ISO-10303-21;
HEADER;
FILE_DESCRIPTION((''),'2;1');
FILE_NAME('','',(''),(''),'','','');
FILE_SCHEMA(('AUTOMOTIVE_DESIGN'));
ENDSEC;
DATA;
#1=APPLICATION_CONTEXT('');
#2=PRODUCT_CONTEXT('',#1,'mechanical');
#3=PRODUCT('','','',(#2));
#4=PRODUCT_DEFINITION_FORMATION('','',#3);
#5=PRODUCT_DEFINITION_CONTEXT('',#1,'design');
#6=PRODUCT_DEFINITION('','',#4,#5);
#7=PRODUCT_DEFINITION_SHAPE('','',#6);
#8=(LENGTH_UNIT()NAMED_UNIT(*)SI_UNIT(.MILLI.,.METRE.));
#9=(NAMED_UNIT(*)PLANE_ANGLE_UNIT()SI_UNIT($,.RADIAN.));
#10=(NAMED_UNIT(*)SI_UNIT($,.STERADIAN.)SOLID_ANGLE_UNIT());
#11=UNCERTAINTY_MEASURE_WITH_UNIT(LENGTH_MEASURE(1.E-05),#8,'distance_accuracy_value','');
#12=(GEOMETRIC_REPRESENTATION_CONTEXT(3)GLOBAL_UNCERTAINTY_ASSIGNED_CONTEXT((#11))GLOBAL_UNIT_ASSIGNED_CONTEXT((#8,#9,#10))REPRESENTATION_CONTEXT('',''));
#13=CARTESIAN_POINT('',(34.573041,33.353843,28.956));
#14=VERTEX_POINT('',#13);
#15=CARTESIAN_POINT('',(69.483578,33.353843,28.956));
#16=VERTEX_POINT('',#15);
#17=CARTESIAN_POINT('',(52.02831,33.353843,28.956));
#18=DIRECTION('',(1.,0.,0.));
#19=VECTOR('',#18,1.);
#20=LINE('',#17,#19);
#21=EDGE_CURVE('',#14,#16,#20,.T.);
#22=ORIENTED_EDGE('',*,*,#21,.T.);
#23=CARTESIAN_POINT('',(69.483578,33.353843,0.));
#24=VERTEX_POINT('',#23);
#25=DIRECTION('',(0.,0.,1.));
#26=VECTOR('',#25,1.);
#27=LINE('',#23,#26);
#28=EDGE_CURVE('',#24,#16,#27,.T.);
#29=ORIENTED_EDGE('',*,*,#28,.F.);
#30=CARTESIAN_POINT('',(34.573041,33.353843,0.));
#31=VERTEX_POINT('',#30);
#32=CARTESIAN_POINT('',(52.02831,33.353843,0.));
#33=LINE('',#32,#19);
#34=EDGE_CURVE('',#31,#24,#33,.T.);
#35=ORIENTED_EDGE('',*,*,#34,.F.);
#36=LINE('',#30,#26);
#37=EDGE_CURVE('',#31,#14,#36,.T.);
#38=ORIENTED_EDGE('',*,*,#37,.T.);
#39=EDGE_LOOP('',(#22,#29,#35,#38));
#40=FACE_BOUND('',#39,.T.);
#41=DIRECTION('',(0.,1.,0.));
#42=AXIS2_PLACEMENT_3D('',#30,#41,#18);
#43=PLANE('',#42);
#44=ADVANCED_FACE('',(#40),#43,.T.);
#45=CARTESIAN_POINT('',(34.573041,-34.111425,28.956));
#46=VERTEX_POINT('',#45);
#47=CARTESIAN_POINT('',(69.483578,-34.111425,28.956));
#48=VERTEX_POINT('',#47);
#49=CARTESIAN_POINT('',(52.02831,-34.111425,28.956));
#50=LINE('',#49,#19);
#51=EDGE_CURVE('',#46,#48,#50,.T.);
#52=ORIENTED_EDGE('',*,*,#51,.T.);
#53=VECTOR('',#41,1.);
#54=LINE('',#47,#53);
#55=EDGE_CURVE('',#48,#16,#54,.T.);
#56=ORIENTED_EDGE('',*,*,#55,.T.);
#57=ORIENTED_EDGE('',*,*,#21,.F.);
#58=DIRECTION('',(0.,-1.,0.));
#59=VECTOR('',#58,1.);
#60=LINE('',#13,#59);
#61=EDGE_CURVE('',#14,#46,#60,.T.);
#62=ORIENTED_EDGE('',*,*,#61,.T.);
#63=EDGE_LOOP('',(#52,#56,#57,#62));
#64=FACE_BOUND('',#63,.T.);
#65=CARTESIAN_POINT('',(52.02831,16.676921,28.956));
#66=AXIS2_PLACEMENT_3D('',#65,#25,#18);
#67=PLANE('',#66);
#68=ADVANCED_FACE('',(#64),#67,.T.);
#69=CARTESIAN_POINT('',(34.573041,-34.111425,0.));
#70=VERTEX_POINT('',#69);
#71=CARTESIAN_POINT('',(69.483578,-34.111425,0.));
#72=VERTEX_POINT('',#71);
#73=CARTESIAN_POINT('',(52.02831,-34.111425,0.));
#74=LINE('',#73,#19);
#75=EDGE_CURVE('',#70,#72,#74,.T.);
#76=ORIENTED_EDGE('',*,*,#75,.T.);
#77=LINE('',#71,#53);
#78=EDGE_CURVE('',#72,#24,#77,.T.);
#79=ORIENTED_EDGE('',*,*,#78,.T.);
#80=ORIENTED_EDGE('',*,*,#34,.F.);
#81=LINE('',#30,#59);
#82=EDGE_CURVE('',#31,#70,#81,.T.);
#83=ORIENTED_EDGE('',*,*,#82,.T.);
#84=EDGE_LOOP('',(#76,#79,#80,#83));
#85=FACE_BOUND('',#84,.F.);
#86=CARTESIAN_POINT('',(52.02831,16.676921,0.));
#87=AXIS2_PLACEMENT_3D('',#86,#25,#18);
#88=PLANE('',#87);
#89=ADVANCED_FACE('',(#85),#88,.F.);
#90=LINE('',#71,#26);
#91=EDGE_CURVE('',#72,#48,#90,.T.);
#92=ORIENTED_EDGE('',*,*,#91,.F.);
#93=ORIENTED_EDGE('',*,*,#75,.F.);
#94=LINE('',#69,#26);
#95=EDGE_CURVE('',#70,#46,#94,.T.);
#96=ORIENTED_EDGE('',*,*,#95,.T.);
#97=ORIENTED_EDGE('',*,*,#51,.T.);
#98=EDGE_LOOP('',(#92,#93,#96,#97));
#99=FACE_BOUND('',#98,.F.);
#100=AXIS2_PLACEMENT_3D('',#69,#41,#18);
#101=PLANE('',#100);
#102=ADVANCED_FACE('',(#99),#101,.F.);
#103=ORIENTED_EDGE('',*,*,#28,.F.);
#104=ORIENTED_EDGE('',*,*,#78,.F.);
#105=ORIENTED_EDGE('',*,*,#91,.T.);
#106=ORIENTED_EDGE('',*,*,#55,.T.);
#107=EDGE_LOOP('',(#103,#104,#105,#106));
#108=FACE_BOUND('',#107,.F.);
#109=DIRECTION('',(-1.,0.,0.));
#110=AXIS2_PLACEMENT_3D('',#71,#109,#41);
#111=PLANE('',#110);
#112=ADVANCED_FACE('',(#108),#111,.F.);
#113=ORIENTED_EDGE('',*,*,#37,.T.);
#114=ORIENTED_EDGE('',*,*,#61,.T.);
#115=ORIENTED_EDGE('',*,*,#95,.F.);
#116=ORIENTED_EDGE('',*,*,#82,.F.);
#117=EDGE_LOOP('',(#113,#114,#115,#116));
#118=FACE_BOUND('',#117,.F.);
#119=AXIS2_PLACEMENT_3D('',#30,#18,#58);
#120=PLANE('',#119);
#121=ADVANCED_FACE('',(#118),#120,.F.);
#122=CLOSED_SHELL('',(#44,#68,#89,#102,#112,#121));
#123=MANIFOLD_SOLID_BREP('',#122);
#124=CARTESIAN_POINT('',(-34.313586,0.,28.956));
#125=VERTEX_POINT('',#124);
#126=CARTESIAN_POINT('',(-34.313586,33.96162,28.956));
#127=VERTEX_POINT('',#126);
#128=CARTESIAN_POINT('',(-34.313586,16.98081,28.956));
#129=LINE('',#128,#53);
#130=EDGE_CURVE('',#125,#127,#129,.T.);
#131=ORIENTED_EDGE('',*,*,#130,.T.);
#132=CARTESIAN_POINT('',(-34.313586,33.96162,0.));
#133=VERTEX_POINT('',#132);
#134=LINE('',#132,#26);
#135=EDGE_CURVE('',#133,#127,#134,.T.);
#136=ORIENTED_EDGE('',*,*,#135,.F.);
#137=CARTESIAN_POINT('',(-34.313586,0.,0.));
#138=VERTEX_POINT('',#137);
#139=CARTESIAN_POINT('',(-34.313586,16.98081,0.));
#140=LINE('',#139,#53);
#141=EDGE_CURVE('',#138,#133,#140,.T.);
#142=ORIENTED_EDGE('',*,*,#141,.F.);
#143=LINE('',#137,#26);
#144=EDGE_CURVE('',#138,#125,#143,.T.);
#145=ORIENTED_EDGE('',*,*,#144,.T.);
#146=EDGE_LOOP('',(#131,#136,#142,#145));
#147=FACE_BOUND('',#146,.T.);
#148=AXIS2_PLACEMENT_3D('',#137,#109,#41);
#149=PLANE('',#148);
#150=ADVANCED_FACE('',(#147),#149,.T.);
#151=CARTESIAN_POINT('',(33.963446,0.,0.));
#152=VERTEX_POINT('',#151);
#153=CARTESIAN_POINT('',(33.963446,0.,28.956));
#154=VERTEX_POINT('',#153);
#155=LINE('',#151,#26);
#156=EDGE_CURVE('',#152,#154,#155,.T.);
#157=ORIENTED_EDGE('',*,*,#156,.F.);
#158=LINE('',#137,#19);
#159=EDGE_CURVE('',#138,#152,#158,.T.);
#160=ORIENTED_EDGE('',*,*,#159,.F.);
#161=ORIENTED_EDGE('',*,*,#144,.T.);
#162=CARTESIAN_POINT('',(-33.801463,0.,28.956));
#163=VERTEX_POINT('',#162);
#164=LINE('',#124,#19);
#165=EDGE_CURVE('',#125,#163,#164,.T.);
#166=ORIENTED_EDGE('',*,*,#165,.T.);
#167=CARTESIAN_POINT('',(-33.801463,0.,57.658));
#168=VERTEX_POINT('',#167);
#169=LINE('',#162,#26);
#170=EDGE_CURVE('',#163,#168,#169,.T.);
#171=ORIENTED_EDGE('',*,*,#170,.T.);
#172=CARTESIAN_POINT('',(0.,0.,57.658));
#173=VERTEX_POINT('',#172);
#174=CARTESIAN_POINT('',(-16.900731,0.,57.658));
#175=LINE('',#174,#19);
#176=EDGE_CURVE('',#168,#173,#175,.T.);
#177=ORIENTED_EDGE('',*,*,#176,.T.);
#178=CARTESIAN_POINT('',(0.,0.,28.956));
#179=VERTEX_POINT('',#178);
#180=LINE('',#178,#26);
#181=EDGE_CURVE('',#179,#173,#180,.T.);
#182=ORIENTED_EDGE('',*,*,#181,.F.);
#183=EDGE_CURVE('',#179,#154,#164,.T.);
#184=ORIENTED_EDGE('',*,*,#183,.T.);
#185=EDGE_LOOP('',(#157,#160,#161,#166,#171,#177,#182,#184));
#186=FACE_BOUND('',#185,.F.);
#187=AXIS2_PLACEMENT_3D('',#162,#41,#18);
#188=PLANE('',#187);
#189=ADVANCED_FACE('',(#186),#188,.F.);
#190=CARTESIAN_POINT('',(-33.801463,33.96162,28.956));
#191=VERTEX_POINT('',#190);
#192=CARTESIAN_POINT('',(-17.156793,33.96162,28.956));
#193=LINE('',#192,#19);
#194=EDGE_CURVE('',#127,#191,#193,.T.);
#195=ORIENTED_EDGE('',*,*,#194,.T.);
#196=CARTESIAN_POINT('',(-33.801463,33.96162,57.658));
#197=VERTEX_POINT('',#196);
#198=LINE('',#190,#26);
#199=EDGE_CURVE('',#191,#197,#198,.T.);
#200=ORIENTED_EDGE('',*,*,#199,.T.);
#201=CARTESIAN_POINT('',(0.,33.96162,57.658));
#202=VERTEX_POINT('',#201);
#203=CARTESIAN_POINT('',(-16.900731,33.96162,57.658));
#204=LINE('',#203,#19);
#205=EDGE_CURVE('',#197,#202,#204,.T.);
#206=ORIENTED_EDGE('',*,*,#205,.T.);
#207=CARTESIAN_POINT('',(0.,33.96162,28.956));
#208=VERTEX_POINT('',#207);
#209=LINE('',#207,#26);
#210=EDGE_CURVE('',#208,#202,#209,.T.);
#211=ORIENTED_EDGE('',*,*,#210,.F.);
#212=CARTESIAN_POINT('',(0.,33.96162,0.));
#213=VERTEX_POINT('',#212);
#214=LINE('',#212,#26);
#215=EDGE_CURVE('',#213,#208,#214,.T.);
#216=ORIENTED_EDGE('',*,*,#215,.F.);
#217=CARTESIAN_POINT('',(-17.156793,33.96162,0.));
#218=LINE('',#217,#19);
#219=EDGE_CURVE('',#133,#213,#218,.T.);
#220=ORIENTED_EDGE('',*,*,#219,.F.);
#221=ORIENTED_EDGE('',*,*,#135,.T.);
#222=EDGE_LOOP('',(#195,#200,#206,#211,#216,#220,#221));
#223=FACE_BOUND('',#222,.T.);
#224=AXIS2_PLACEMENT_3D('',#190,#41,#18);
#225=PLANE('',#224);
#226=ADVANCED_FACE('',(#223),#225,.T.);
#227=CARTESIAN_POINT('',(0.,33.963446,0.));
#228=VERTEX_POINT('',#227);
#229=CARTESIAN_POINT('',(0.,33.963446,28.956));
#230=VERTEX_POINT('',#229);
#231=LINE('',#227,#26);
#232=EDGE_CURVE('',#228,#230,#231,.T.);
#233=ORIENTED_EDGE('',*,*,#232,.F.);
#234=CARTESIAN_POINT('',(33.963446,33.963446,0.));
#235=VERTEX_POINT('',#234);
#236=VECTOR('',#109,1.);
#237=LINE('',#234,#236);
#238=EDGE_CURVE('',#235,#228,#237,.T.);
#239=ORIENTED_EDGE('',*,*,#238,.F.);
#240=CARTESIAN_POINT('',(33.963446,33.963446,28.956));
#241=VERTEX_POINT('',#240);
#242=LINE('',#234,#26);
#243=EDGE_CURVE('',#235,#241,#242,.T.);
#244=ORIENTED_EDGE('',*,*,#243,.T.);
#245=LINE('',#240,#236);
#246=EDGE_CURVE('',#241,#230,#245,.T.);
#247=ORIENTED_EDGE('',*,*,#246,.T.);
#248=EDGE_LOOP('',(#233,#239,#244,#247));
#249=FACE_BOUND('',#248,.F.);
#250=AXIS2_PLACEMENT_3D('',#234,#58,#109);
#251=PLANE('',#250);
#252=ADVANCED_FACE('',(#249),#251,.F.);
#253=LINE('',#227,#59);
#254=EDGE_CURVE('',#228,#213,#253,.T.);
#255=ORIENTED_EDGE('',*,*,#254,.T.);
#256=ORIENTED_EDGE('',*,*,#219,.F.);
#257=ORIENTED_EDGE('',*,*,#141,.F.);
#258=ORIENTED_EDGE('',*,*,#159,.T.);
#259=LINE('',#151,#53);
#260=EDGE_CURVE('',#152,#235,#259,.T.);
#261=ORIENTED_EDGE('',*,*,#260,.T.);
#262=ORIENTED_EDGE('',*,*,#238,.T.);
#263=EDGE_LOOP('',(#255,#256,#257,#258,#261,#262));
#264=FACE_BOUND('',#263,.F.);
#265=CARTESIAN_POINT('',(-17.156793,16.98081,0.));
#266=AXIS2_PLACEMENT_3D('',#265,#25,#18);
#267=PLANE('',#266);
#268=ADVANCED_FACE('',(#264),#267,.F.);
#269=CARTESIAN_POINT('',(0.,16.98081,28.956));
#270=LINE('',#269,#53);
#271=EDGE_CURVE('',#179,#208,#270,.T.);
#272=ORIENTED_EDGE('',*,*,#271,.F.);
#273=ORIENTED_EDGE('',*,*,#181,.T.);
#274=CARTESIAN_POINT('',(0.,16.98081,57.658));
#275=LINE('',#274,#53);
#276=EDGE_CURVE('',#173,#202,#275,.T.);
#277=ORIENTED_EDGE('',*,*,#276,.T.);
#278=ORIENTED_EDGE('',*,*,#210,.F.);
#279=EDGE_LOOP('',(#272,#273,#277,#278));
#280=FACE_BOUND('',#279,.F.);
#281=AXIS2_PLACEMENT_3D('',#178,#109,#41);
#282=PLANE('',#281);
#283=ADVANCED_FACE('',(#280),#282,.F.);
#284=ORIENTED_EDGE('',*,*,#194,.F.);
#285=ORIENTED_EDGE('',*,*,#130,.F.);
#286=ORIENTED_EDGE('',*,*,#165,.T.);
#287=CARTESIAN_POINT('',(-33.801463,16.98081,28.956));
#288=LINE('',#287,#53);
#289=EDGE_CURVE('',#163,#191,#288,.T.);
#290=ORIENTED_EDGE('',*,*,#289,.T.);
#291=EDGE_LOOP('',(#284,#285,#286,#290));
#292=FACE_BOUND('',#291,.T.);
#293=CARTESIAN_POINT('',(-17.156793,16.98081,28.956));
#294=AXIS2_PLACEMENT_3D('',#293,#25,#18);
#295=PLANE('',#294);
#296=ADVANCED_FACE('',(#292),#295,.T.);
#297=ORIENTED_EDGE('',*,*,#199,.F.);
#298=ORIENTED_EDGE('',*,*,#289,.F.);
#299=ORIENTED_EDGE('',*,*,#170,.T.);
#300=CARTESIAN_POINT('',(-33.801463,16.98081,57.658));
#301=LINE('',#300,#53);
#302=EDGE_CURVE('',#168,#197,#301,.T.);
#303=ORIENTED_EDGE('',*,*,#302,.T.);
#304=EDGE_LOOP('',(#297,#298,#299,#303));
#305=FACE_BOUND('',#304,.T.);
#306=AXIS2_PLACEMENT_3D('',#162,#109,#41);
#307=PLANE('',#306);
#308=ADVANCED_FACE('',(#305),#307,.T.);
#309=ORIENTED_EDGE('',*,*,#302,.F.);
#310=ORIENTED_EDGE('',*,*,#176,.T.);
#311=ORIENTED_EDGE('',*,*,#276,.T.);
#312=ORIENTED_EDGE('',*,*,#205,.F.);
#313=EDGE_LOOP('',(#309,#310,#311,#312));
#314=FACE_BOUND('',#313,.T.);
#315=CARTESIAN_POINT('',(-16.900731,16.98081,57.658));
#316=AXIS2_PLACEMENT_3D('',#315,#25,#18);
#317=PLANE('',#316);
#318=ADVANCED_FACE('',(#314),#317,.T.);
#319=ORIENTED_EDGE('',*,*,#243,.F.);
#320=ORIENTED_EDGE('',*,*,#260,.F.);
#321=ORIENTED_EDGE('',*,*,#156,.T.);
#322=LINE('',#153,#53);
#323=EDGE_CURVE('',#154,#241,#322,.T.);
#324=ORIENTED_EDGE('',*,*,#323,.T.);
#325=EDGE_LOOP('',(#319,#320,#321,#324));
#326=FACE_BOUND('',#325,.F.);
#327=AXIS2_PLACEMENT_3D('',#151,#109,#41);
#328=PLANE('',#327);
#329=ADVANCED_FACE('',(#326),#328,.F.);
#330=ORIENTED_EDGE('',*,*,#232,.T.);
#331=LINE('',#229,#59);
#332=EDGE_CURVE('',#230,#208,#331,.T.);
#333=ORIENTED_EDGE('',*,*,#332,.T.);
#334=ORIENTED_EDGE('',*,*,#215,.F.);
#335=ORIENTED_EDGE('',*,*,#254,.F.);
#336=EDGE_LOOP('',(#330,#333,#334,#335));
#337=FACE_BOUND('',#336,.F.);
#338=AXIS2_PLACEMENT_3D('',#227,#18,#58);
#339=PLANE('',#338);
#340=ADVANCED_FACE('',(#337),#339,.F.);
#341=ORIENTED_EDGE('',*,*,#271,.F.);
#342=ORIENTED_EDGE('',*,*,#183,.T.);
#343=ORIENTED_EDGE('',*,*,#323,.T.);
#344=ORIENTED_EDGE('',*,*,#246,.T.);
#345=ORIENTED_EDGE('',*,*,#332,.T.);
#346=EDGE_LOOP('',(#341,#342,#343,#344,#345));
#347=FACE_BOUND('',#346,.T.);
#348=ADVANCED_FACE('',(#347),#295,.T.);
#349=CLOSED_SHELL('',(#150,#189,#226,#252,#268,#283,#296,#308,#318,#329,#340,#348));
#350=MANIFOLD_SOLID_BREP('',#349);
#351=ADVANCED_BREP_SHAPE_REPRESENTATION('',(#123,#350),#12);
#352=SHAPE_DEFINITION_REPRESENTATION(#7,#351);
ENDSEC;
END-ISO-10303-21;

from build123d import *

# Parameters (mm, degrees)
F0_W      = 48.6852861941
F0_H      = 53.710911423
F0_W_2    = 54.6446330845
F0_W_3    = 52.1280243993
F0_H_2    = 53.485147655
F1_DEPTH  = 34.036
F2_W      = 53.8875311613
F2_H      = 53.710911423
F3_DEPTH  = 37.338
F6_W      = 34.9105373025
F6_H      = 33.3538427949
F6_H_2    = 34.1114252806
F7_DEPTH  = 28.956
F5_W      = 34.3135856092
F5_H      = 33.9616201818
F9_W      = 33.8014625013
F9_H      = 33.9616201818
F10_DEPTH = 28.702


with BuildPart() as f1:
    # F0 (on Top) → F1 (new body)
    with BuildSketch(Plane.XY):
        with Locations((-65.8202823251, 26.8554557115)):
            Rectangle(F0_W, F0_H)
        with Locations((-14.1553226858, 26.8554557115)):
            Rectangle(F0_W_2, F0_H)
        with Locations((39.2310060561, 26.8554557115)):
            Rectangle(F0_W_3, F0_H)
        with Locations((39.2310060561, -26.7425738275)):
            Rectangle(F0_W_3, F0_H_2)
    extrude(amount=F1_DEPTH)

    # F2 (on face) → F3 (join)
    with BuildSketch(Plane.XY.offset(34.036)):
        with Locations((-63.2191598415, 26.8554557115)):
            Rectangle(F2_W, F2_H)
    extrude(amount=F3_DEPTH)


with BuildPart() as f7:
    # F6 (on Top) → F7 (new body)
    with BuildSketch(Plane.XY):
        with Locations((52.0283095539, 16.6769213974)):
            Rectangle(F6_W, F6_H)
        with Locations((52.0283095539, -17.0557126403)):
            Rectangle(F6_W, F6_H_2)
    extrude(amount=F7_DEPTH)


with BuildPart() as f7b:
    # F5 (on Top) → F7, piece 2 (new body)
    with BuildSketch(Plane.XY):
        with Locations((-17.1567928046, 16.9808100909)):
            Rectangle(F5_W, F5_H)
        Polygon((0, 33.9616201818), (0, 0), (33.963445574, 0), (33.963445574, 33.963445574), (0, 33.963445574), align=None)
    extrude(amount=F7_DEPTH)

    # F9 (on face) → F10 (join)
    with BuildSketch(Plane.XY.offset(28.956)):
        with Locations((-16.9007312506, 16.9808100909)):
            Rectangle(F9_W, F9_H)
    extrude(amount=F10_DEPTH)


solid = Compound([f7.part, f7b.part])
